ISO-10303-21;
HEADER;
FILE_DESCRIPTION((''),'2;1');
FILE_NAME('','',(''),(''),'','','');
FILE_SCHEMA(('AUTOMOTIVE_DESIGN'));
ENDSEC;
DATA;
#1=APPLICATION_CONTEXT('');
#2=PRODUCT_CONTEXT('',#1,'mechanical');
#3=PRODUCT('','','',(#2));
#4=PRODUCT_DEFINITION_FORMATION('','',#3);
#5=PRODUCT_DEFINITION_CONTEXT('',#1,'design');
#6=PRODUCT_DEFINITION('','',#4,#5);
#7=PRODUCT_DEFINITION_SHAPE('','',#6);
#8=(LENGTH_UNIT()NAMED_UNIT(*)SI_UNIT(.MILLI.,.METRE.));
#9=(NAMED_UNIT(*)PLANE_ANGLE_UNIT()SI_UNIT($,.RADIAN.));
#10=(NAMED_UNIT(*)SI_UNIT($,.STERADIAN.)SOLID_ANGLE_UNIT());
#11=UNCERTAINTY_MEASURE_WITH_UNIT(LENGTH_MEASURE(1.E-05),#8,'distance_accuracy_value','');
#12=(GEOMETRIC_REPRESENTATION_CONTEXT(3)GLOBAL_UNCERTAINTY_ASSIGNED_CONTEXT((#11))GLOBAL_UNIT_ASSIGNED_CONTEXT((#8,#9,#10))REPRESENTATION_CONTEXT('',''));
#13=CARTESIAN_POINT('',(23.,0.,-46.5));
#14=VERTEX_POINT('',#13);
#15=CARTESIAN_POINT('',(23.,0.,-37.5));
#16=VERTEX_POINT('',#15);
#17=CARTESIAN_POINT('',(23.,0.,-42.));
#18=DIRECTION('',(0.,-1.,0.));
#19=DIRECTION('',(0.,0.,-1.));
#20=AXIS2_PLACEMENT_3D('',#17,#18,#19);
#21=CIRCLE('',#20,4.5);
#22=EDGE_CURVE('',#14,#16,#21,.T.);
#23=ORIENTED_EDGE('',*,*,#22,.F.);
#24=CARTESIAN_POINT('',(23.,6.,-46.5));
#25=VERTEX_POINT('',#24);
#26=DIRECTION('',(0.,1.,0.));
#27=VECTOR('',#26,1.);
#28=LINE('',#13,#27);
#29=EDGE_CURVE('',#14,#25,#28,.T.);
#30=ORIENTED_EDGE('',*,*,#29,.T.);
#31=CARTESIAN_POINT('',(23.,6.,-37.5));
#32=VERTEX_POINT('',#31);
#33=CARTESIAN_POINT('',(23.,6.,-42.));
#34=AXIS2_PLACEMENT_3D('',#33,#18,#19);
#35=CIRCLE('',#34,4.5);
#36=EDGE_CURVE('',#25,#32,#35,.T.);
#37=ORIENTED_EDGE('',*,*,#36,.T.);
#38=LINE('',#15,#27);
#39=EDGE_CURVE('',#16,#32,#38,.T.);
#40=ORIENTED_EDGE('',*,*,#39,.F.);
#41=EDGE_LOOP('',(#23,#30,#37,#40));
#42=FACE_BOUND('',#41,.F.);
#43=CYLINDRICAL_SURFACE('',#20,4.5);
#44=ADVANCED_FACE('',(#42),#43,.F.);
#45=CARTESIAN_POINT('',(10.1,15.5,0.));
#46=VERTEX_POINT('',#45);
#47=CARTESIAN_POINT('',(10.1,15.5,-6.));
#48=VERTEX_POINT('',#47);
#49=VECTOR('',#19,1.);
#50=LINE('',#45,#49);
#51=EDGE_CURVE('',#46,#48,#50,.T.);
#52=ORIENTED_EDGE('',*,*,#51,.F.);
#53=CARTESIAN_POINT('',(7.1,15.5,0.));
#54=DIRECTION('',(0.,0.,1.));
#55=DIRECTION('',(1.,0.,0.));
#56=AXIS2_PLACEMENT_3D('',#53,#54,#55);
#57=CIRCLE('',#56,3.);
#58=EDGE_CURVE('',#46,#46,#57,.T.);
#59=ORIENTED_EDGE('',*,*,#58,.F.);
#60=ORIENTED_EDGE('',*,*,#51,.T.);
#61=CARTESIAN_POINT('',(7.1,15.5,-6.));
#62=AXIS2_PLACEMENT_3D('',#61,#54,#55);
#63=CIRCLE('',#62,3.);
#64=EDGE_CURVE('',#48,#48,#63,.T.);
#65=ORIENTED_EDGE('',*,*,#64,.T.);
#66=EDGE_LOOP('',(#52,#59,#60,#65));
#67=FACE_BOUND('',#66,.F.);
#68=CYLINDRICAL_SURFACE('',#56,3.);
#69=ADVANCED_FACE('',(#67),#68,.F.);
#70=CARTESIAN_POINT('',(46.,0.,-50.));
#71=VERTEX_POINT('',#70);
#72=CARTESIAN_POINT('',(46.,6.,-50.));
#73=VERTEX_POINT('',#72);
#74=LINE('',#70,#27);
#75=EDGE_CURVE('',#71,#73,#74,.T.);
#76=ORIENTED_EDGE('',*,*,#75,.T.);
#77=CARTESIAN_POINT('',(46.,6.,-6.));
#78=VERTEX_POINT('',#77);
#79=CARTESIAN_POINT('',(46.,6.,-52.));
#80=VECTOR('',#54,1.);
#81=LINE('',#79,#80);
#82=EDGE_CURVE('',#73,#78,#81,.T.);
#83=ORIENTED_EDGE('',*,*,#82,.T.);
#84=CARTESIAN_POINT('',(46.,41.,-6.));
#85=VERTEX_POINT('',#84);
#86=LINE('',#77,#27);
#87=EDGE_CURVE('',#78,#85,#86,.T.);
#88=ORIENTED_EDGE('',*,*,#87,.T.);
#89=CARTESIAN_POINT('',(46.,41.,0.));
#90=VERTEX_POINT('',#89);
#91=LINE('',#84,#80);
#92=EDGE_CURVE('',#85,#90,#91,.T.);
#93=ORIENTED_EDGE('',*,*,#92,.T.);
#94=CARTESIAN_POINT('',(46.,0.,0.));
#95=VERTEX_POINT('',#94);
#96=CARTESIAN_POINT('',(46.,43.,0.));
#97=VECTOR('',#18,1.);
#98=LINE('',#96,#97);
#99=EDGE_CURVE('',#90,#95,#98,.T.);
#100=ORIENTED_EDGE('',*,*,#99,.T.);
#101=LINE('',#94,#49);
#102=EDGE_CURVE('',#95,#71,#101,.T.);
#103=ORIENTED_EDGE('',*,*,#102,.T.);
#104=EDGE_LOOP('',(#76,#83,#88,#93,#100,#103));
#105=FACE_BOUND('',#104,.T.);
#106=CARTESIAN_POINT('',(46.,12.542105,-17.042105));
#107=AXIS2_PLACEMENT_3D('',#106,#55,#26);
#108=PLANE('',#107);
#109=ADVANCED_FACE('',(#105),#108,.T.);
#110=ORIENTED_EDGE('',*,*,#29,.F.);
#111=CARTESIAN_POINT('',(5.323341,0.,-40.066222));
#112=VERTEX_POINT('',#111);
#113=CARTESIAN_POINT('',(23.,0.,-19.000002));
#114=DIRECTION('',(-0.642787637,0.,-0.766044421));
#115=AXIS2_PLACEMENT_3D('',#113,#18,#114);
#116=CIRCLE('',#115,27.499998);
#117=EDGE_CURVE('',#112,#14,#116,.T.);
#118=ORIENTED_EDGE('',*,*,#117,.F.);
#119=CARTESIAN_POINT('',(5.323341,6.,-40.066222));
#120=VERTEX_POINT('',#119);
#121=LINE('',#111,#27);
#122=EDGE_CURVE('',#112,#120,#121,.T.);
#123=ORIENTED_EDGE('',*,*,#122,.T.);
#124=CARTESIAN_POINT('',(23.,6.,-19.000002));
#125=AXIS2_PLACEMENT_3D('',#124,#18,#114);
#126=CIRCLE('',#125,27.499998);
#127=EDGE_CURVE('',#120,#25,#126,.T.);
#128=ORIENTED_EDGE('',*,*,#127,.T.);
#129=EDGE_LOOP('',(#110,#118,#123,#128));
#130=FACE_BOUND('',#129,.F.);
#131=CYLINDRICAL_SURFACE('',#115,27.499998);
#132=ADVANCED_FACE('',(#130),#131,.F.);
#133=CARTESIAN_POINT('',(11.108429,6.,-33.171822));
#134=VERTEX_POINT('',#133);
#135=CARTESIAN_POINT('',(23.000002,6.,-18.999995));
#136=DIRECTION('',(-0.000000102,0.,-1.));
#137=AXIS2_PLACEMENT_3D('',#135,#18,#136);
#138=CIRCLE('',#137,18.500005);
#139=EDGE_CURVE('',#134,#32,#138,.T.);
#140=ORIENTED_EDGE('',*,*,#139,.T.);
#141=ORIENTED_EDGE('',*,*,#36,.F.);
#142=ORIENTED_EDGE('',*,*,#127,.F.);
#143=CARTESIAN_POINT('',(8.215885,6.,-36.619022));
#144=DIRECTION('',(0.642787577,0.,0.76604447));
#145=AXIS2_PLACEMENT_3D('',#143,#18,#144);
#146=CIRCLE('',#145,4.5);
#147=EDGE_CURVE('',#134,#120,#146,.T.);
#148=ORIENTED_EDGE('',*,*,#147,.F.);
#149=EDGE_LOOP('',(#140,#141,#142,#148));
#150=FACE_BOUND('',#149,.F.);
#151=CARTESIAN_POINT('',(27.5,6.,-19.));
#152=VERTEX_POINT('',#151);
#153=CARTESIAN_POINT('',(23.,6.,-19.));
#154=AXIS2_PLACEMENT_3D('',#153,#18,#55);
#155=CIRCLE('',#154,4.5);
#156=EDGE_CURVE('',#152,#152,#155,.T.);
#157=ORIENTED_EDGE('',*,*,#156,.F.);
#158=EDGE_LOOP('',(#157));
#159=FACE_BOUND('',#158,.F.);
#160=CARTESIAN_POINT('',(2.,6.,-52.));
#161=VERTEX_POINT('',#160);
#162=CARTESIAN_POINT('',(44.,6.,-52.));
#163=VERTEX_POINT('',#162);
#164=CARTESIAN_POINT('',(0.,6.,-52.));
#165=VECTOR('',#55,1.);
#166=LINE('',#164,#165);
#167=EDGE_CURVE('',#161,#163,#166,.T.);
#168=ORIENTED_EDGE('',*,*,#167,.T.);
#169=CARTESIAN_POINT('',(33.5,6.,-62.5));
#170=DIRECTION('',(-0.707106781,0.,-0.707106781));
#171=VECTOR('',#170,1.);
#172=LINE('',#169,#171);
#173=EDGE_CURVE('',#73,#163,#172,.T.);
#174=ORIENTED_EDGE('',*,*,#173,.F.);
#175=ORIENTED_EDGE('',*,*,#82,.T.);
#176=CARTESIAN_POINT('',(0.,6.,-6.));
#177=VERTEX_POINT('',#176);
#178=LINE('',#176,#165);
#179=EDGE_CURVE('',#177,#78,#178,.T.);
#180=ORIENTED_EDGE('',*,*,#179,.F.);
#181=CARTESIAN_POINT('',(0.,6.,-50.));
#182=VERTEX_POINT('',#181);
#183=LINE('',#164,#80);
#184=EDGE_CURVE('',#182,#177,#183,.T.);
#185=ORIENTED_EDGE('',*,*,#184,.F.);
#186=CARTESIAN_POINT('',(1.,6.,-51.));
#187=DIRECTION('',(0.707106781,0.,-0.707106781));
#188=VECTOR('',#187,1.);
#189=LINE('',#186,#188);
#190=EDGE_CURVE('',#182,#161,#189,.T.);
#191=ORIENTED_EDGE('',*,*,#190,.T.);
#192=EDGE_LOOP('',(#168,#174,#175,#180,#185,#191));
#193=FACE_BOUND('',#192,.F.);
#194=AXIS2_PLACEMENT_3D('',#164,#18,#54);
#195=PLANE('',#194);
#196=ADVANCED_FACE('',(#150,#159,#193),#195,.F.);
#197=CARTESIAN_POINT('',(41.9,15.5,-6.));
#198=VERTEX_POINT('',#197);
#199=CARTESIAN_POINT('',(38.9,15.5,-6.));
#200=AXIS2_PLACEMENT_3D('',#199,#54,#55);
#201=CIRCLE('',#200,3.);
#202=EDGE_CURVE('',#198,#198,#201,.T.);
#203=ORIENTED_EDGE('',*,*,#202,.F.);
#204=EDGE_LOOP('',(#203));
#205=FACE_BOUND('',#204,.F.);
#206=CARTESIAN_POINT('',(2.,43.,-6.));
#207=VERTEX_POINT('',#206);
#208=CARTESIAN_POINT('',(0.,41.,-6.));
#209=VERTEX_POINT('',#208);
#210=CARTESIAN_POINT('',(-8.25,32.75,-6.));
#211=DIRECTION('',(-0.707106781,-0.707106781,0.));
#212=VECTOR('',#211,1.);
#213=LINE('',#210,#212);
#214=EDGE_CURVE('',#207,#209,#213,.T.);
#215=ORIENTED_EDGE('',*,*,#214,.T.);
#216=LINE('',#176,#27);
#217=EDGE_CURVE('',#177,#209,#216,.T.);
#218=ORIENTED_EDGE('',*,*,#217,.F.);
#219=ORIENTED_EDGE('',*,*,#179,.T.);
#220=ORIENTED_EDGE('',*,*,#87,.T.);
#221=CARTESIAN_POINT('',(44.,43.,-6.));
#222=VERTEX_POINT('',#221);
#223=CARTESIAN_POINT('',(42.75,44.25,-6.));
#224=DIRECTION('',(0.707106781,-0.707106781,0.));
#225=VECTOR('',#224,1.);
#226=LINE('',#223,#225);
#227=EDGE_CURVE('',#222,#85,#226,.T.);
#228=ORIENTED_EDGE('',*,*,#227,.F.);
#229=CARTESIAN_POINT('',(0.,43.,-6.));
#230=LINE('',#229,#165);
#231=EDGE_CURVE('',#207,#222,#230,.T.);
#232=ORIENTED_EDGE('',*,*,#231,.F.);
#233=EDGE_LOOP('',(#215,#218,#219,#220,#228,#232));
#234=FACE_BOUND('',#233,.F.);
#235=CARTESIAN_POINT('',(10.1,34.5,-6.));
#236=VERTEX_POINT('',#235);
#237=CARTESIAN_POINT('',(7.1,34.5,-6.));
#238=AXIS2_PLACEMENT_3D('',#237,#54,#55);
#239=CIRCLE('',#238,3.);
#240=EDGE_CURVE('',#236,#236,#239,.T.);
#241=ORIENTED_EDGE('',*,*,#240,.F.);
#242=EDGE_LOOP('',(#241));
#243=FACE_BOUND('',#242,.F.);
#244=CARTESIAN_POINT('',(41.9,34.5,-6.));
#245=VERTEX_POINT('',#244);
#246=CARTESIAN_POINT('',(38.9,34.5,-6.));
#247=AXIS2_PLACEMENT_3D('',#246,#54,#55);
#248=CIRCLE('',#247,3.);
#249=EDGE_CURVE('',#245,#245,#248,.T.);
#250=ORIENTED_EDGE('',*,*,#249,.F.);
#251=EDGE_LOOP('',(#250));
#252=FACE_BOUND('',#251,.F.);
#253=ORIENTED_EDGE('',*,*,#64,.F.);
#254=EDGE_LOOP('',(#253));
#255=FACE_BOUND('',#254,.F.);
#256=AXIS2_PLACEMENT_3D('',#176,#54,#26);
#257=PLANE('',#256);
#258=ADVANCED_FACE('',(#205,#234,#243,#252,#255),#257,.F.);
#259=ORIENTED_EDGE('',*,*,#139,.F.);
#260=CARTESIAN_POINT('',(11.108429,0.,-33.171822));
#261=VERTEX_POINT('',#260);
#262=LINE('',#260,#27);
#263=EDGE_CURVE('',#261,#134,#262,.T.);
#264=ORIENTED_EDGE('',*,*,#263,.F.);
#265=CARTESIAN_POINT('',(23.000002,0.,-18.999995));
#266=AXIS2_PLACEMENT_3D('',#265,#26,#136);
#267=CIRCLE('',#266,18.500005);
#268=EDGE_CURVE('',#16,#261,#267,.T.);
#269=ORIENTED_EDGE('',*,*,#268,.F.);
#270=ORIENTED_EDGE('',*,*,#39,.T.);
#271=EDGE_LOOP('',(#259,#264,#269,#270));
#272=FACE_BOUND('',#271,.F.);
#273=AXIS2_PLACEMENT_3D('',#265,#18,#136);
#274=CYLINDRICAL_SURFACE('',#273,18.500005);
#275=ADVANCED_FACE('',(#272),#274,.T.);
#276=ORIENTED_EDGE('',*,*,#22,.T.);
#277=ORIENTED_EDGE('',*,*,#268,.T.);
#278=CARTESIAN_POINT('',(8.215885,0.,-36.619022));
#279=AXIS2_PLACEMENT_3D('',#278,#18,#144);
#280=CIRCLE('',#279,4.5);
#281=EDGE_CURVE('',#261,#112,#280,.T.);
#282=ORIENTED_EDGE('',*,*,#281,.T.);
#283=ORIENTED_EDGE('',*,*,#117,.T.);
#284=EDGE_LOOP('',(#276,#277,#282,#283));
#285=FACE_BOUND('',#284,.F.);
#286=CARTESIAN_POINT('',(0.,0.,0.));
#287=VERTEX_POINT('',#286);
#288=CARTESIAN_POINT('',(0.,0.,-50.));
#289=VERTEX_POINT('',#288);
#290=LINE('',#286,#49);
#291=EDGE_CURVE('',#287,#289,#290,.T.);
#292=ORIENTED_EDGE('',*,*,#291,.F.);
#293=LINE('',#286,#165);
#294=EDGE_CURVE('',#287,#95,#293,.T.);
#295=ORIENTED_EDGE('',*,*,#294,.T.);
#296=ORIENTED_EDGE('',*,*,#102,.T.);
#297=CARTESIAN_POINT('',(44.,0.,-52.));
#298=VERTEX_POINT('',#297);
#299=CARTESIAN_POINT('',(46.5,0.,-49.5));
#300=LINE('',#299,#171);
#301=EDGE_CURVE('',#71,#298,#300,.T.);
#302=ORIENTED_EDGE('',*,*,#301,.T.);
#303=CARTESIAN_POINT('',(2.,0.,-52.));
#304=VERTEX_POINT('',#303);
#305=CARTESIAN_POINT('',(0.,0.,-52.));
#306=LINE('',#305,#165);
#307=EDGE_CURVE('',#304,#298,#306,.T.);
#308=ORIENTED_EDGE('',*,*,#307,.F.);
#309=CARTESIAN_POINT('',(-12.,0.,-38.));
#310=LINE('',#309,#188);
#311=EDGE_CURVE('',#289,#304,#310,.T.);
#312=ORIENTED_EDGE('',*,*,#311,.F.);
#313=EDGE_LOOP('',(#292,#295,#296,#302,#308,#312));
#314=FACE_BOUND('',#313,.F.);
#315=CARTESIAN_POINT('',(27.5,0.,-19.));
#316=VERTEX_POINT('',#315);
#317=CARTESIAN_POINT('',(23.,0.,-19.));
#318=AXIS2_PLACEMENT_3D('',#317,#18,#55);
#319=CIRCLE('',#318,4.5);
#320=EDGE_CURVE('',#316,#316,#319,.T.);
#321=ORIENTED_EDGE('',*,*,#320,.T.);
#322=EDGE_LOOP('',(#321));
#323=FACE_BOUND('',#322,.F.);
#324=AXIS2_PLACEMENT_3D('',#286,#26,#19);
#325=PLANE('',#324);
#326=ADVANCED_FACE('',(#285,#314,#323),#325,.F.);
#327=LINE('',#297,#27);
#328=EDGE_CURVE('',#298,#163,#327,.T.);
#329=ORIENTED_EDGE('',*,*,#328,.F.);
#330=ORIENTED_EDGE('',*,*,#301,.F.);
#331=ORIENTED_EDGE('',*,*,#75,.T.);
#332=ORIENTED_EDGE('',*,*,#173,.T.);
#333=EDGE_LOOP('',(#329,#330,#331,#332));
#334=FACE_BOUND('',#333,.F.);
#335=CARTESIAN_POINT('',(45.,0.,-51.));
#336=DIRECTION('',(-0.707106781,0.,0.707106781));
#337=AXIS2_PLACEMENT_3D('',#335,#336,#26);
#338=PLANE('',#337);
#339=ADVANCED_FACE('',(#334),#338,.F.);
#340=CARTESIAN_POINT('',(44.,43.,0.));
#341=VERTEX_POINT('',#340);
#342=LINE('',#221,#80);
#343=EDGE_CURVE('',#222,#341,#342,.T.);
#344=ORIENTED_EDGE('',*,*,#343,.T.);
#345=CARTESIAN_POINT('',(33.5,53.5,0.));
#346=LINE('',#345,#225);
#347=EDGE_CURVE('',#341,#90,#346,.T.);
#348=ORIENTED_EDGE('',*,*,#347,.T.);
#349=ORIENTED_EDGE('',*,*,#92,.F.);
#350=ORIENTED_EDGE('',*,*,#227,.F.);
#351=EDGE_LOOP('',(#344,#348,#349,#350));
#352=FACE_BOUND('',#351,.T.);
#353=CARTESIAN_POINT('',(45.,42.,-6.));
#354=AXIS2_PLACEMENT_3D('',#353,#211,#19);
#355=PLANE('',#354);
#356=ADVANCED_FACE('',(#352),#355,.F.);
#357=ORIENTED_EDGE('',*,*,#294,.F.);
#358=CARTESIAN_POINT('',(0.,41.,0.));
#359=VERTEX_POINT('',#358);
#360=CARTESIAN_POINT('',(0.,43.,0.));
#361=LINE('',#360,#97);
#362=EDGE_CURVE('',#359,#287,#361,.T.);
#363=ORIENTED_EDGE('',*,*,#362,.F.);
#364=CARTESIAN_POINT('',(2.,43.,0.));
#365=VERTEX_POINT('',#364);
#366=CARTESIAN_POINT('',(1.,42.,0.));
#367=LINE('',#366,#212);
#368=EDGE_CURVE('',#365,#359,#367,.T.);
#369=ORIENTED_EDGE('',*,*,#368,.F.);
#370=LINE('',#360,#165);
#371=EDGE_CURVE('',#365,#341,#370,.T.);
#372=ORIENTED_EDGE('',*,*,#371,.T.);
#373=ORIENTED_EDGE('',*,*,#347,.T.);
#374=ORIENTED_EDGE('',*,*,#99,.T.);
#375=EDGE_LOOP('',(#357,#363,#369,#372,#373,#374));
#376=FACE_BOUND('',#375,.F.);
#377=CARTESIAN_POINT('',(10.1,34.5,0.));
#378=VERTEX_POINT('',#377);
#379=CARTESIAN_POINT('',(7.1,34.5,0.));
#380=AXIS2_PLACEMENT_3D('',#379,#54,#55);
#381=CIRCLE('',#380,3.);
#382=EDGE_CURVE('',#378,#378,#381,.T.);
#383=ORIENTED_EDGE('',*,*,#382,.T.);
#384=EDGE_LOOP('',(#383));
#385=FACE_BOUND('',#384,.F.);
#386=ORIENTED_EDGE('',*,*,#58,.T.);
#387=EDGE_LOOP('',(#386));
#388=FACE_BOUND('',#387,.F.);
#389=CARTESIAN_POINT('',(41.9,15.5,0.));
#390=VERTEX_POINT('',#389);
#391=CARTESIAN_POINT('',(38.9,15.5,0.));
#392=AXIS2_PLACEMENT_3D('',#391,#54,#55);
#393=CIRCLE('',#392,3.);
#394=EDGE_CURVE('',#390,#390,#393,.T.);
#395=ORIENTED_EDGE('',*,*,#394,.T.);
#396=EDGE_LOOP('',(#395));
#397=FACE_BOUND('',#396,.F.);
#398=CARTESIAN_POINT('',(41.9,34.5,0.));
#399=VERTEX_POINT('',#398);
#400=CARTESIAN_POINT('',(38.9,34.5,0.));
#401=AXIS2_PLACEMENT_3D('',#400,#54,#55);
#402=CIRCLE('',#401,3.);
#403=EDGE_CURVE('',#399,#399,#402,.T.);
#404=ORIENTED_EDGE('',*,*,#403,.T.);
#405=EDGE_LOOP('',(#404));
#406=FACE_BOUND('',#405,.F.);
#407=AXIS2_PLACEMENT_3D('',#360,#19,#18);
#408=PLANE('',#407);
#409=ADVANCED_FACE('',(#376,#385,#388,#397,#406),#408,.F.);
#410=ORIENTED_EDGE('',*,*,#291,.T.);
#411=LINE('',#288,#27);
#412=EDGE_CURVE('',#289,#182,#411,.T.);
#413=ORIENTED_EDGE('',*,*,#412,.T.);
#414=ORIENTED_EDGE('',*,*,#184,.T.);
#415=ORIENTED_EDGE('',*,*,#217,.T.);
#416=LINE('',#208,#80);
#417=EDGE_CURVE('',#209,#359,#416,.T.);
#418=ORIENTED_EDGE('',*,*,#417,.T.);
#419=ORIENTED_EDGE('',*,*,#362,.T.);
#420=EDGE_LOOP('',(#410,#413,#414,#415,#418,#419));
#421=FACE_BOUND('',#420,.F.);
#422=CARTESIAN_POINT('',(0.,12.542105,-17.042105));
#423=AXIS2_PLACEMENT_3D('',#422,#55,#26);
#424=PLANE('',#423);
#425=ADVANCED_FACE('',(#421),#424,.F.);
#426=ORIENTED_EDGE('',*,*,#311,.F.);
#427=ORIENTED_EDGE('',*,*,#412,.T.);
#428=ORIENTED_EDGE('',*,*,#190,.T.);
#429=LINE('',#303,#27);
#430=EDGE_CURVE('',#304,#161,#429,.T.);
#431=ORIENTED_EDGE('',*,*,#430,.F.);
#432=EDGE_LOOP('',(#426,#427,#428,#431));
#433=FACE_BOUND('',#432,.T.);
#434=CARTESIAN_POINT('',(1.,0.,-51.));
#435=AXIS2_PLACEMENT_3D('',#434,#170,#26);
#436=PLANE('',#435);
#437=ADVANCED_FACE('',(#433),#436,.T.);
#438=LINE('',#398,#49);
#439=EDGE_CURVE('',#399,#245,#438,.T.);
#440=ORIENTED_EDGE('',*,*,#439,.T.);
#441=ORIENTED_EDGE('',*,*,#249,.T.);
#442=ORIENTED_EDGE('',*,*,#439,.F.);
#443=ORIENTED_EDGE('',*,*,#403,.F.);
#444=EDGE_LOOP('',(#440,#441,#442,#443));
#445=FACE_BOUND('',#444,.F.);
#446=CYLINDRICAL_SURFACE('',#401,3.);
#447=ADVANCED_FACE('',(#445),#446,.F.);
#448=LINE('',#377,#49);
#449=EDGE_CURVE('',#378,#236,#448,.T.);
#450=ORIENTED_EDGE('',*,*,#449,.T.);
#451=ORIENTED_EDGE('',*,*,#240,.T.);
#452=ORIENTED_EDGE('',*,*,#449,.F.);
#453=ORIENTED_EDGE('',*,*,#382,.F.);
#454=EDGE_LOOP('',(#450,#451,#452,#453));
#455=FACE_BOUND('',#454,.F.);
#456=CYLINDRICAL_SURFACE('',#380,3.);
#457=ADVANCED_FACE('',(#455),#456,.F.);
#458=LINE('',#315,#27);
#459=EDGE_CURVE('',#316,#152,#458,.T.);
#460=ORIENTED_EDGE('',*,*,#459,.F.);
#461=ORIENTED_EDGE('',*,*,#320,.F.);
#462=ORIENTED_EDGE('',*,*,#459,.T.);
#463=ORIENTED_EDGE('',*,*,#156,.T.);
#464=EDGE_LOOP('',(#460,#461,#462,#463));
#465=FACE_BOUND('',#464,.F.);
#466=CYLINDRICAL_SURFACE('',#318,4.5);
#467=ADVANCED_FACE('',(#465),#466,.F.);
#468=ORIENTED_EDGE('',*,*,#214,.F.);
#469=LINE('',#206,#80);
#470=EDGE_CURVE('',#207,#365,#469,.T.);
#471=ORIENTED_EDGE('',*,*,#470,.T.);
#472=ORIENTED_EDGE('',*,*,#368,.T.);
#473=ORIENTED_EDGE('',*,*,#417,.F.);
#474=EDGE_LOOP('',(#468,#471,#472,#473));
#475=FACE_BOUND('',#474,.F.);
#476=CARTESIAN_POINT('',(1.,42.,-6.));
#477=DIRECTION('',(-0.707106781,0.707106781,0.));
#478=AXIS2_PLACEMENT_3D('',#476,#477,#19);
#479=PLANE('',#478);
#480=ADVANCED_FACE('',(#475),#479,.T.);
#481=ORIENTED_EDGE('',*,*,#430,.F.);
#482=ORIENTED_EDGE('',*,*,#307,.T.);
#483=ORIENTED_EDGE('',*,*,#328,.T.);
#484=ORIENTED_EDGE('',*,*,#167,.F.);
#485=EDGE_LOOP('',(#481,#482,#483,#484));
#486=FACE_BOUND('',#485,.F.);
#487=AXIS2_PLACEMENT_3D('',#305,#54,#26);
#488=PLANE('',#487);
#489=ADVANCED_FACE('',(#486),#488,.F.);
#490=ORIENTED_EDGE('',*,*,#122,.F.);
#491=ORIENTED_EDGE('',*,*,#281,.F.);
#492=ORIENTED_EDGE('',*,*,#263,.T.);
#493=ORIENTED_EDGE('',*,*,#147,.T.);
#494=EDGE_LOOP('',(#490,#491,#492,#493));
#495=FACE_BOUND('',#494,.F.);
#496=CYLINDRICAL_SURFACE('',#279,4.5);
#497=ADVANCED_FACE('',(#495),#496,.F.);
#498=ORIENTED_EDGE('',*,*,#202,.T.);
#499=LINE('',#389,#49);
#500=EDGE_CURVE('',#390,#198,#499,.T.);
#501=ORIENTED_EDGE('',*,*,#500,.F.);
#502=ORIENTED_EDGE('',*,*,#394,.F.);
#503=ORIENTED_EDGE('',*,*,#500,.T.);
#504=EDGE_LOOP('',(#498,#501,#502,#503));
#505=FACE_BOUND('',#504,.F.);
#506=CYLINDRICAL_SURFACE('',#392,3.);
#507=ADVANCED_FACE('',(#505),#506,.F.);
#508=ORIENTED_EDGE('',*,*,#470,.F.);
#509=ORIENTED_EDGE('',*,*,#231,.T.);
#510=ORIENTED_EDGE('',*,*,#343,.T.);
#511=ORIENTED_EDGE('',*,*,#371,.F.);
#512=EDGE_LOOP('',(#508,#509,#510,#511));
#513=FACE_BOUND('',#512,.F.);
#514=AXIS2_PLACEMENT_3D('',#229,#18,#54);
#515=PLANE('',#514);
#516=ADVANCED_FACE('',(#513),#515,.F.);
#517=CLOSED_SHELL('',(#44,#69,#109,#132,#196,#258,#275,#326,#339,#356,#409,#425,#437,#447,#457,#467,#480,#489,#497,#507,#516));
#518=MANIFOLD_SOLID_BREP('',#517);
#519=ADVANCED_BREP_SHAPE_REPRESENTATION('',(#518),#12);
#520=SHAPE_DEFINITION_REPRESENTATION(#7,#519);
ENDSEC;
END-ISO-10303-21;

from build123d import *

# Parameters (mm, degrees)
F1_DEPTH = 46
F2_R     = 3
F3_DEPTH = 25
F4_R     = 4.5
F5_DEPTH = 25
F6_SIZE  = 2


with BuildPart() as f1:
    # F0 (on Right) → F1 (new body)
    with BuildSketch(Plane.YZ):
        Polygon((43, 0), (0, 0), (0, -52), (6, -52), (6, -6), (43, -6), align=None)
    extrude(amount=F1_DEPTH)

    # F2 (on Top) → F3 (cut)
    with BuildSketch(Plane.XY):
        with Locations((38.9, 15.5)):
            Circle(F2_R)
        with Locations((38.9, 34.5)):
            Circle(F2_R)
        with Locations((7.1, 15.5)):
            Circle(F2_R)
        with Locations((7.1, 34.5)):
            Circle(F2_R)
    extrude(amount=-F3_DEPTH, mode=Mode.SUBTRACT)

    # F4 (on face) → F5 (cut)
    with BuildSketch(Plane.XZ):
        with Locations((23, -19)):
            Circle(F4_R)
        with BuildLine():
            ThreePointArc((23, -37.5), (16.672627, -36.384313), (11.108429, -33.171822))
            ThreePointArc((11.108429, -33.171822), (4.768685, -33.726478), (5.323341, -40.066222))
            ThreePointArc((5.323341, -40.066222), (13.594446, -44.841547), (23, -46.5))
            ThreePointArc((23, -46.5), (27.5, -42), (23, -37.5))
        make_face()
    extrude(amount=-F5_DEPTH, mode=Mode.SUBTRACT)

    # F6
    f6_edges = [f1.edges().sort_by_distance(p)[0] for p in [
        (0, 43, -3),
        (46, 43, -3),
        (46, 3, -52),
        (0, 3, -52),
    ]]
    chamfer(f6_edges, length=F6_SIZE)


solid = f1.part
